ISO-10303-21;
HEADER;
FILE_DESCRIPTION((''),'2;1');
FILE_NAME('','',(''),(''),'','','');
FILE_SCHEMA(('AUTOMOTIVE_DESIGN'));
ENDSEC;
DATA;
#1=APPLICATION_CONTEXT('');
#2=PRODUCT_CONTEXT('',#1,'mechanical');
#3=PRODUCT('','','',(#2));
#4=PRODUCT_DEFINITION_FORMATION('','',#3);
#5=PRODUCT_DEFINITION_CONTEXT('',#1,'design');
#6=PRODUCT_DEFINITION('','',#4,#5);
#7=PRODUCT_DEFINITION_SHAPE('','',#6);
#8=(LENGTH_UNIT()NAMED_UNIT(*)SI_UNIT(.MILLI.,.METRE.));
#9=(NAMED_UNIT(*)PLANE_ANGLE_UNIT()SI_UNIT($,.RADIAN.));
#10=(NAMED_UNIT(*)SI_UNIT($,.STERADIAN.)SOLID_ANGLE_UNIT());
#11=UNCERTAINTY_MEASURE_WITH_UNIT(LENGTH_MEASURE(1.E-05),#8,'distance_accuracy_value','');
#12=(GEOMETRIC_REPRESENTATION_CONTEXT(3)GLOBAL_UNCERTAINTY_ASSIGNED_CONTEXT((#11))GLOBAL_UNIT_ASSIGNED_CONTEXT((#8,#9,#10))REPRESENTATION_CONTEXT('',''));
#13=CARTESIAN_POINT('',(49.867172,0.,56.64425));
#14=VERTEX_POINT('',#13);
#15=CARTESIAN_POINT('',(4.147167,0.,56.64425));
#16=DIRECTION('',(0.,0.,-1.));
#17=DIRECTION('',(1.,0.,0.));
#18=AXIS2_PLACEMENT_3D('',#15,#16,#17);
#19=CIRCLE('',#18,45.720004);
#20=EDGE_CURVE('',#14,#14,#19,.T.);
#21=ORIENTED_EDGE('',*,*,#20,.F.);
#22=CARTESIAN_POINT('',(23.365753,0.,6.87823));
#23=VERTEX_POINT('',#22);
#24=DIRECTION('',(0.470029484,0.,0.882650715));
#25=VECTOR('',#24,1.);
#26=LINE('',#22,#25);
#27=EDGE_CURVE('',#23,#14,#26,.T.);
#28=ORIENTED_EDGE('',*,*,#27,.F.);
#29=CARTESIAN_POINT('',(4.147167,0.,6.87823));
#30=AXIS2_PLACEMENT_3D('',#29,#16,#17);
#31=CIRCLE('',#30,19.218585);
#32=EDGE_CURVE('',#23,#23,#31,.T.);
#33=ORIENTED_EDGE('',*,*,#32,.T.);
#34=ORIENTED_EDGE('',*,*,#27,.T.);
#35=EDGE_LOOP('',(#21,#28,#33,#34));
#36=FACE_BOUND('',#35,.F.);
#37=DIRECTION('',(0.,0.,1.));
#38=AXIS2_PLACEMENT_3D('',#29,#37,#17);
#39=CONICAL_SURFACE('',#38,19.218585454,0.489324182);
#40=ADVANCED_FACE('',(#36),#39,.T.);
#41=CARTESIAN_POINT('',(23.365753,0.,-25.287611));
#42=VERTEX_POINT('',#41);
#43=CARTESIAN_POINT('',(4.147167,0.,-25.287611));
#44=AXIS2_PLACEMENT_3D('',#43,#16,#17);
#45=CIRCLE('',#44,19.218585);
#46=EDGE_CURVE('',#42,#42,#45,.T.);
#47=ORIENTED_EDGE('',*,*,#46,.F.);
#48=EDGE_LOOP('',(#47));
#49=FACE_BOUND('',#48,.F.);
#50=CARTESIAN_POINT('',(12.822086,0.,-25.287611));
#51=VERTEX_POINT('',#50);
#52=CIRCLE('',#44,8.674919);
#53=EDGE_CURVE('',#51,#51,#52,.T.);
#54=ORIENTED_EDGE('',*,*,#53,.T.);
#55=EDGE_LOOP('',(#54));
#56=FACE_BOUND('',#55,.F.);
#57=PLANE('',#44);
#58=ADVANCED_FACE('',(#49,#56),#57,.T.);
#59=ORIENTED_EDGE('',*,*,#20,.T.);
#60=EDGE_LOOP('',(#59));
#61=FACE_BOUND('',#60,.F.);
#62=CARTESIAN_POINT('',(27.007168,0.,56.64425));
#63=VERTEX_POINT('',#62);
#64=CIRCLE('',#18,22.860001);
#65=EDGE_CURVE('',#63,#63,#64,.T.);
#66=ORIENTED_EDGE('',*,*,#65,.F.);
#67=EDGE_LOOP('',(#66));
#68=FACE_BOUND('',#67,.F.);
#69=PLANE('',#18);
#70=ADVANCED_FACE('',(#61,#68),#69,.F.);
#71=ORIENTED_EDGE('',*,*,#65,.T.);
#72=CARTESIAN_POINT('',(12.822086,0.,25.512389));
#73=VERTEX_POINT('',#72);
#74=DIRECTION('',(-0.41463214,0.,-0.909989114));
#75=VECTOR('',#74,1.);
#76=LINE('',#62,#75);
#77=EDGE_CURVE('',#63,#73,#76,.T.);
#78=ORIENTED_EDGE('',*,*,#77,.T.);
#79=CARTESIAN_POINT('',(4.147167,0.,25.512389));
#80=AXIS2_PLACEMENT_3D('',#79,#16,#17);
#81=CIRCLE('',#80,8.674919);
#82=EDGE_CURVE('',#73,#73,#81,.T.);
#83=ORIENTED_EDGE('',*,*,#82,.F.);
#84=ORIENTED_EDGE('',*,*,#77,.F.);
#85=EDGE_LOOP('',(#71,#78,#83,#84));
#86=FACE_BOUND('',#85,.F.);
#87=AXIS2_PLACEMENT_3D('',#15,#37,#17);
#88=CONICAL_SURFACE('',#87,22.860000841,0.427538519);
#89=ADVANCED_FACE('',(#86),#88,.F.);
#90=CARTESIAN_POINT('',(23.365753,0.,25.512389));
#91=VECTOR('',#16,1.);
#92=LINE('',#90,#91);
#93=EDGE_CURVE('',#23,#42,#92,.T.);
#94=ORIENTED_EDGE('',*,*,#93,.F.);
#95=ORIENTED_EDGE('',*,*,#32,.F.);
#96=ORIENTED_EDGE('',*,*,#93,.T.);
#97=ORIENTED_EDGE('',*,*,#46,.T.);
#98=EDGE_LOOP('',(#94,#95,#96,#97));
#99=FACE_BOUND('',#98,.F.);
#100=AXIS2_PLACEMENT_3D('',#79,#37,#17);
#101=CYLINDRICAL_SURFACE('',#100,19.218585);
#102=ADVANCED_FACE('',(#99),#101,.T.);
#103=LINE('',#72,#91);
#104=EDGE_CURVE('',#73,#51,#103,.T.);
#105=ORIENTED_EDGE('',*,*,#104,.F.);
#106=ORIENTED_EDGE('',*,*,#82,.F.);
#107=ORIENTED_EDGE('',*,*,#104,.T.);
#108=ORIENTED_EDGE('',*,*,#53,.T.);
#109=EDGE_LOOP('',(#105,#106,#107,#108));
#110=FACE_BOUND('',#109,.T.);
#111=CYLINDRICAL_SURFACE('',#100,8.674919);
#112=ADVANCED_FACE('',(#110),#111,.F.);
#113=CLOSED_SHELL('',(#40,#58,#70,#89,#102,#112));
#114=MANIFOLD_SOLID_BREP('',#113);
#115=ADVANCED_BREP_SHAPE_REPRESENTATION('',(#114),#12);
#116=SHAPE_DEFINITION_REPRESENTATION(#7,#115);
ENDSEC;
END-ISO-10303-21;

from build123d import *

# Parameters (mm, degrees)
F2_DEPTH = 50.8
F3_DEPTH = 50.8


with BuildPart() as f1:
    # F0 (on Front) → F1 (revolve)
    with BuildSketch(Plane.XZ):
        Polygon((27.0071681589, 56.6442497075), (4.1471673176, 6.4736288041), (4.1471673176, -25.28761141), (23.3657527715, -25.28761141), (23.3657527715, 6.8782302551), (49.8671717942, 56.6442497075), align=None)
    revolve(axis=Axis((4.1471673176, 0, -9.406991303), (0, 0, -1)))

    # F2 (cut): a face of the model
    f2_faces = [f1.faces().sort_by_distance(p)[0] for p in [
        (4.1471673176, 0, -25.28761141),
    ]]
    extrude(f2_faces, amount=-F2_DEPTH, mode=Mode.SUBTRACT)

    # F3 (add): a face of the model
    f3_faces = [f1.faces().sort_by_distance(p)[0] for p in [
        (-14.5278344524, 0, 25.51238859),
    ]]
    extrude(f3_faces, amount=F3_DEPTH)


solid = f1.part
